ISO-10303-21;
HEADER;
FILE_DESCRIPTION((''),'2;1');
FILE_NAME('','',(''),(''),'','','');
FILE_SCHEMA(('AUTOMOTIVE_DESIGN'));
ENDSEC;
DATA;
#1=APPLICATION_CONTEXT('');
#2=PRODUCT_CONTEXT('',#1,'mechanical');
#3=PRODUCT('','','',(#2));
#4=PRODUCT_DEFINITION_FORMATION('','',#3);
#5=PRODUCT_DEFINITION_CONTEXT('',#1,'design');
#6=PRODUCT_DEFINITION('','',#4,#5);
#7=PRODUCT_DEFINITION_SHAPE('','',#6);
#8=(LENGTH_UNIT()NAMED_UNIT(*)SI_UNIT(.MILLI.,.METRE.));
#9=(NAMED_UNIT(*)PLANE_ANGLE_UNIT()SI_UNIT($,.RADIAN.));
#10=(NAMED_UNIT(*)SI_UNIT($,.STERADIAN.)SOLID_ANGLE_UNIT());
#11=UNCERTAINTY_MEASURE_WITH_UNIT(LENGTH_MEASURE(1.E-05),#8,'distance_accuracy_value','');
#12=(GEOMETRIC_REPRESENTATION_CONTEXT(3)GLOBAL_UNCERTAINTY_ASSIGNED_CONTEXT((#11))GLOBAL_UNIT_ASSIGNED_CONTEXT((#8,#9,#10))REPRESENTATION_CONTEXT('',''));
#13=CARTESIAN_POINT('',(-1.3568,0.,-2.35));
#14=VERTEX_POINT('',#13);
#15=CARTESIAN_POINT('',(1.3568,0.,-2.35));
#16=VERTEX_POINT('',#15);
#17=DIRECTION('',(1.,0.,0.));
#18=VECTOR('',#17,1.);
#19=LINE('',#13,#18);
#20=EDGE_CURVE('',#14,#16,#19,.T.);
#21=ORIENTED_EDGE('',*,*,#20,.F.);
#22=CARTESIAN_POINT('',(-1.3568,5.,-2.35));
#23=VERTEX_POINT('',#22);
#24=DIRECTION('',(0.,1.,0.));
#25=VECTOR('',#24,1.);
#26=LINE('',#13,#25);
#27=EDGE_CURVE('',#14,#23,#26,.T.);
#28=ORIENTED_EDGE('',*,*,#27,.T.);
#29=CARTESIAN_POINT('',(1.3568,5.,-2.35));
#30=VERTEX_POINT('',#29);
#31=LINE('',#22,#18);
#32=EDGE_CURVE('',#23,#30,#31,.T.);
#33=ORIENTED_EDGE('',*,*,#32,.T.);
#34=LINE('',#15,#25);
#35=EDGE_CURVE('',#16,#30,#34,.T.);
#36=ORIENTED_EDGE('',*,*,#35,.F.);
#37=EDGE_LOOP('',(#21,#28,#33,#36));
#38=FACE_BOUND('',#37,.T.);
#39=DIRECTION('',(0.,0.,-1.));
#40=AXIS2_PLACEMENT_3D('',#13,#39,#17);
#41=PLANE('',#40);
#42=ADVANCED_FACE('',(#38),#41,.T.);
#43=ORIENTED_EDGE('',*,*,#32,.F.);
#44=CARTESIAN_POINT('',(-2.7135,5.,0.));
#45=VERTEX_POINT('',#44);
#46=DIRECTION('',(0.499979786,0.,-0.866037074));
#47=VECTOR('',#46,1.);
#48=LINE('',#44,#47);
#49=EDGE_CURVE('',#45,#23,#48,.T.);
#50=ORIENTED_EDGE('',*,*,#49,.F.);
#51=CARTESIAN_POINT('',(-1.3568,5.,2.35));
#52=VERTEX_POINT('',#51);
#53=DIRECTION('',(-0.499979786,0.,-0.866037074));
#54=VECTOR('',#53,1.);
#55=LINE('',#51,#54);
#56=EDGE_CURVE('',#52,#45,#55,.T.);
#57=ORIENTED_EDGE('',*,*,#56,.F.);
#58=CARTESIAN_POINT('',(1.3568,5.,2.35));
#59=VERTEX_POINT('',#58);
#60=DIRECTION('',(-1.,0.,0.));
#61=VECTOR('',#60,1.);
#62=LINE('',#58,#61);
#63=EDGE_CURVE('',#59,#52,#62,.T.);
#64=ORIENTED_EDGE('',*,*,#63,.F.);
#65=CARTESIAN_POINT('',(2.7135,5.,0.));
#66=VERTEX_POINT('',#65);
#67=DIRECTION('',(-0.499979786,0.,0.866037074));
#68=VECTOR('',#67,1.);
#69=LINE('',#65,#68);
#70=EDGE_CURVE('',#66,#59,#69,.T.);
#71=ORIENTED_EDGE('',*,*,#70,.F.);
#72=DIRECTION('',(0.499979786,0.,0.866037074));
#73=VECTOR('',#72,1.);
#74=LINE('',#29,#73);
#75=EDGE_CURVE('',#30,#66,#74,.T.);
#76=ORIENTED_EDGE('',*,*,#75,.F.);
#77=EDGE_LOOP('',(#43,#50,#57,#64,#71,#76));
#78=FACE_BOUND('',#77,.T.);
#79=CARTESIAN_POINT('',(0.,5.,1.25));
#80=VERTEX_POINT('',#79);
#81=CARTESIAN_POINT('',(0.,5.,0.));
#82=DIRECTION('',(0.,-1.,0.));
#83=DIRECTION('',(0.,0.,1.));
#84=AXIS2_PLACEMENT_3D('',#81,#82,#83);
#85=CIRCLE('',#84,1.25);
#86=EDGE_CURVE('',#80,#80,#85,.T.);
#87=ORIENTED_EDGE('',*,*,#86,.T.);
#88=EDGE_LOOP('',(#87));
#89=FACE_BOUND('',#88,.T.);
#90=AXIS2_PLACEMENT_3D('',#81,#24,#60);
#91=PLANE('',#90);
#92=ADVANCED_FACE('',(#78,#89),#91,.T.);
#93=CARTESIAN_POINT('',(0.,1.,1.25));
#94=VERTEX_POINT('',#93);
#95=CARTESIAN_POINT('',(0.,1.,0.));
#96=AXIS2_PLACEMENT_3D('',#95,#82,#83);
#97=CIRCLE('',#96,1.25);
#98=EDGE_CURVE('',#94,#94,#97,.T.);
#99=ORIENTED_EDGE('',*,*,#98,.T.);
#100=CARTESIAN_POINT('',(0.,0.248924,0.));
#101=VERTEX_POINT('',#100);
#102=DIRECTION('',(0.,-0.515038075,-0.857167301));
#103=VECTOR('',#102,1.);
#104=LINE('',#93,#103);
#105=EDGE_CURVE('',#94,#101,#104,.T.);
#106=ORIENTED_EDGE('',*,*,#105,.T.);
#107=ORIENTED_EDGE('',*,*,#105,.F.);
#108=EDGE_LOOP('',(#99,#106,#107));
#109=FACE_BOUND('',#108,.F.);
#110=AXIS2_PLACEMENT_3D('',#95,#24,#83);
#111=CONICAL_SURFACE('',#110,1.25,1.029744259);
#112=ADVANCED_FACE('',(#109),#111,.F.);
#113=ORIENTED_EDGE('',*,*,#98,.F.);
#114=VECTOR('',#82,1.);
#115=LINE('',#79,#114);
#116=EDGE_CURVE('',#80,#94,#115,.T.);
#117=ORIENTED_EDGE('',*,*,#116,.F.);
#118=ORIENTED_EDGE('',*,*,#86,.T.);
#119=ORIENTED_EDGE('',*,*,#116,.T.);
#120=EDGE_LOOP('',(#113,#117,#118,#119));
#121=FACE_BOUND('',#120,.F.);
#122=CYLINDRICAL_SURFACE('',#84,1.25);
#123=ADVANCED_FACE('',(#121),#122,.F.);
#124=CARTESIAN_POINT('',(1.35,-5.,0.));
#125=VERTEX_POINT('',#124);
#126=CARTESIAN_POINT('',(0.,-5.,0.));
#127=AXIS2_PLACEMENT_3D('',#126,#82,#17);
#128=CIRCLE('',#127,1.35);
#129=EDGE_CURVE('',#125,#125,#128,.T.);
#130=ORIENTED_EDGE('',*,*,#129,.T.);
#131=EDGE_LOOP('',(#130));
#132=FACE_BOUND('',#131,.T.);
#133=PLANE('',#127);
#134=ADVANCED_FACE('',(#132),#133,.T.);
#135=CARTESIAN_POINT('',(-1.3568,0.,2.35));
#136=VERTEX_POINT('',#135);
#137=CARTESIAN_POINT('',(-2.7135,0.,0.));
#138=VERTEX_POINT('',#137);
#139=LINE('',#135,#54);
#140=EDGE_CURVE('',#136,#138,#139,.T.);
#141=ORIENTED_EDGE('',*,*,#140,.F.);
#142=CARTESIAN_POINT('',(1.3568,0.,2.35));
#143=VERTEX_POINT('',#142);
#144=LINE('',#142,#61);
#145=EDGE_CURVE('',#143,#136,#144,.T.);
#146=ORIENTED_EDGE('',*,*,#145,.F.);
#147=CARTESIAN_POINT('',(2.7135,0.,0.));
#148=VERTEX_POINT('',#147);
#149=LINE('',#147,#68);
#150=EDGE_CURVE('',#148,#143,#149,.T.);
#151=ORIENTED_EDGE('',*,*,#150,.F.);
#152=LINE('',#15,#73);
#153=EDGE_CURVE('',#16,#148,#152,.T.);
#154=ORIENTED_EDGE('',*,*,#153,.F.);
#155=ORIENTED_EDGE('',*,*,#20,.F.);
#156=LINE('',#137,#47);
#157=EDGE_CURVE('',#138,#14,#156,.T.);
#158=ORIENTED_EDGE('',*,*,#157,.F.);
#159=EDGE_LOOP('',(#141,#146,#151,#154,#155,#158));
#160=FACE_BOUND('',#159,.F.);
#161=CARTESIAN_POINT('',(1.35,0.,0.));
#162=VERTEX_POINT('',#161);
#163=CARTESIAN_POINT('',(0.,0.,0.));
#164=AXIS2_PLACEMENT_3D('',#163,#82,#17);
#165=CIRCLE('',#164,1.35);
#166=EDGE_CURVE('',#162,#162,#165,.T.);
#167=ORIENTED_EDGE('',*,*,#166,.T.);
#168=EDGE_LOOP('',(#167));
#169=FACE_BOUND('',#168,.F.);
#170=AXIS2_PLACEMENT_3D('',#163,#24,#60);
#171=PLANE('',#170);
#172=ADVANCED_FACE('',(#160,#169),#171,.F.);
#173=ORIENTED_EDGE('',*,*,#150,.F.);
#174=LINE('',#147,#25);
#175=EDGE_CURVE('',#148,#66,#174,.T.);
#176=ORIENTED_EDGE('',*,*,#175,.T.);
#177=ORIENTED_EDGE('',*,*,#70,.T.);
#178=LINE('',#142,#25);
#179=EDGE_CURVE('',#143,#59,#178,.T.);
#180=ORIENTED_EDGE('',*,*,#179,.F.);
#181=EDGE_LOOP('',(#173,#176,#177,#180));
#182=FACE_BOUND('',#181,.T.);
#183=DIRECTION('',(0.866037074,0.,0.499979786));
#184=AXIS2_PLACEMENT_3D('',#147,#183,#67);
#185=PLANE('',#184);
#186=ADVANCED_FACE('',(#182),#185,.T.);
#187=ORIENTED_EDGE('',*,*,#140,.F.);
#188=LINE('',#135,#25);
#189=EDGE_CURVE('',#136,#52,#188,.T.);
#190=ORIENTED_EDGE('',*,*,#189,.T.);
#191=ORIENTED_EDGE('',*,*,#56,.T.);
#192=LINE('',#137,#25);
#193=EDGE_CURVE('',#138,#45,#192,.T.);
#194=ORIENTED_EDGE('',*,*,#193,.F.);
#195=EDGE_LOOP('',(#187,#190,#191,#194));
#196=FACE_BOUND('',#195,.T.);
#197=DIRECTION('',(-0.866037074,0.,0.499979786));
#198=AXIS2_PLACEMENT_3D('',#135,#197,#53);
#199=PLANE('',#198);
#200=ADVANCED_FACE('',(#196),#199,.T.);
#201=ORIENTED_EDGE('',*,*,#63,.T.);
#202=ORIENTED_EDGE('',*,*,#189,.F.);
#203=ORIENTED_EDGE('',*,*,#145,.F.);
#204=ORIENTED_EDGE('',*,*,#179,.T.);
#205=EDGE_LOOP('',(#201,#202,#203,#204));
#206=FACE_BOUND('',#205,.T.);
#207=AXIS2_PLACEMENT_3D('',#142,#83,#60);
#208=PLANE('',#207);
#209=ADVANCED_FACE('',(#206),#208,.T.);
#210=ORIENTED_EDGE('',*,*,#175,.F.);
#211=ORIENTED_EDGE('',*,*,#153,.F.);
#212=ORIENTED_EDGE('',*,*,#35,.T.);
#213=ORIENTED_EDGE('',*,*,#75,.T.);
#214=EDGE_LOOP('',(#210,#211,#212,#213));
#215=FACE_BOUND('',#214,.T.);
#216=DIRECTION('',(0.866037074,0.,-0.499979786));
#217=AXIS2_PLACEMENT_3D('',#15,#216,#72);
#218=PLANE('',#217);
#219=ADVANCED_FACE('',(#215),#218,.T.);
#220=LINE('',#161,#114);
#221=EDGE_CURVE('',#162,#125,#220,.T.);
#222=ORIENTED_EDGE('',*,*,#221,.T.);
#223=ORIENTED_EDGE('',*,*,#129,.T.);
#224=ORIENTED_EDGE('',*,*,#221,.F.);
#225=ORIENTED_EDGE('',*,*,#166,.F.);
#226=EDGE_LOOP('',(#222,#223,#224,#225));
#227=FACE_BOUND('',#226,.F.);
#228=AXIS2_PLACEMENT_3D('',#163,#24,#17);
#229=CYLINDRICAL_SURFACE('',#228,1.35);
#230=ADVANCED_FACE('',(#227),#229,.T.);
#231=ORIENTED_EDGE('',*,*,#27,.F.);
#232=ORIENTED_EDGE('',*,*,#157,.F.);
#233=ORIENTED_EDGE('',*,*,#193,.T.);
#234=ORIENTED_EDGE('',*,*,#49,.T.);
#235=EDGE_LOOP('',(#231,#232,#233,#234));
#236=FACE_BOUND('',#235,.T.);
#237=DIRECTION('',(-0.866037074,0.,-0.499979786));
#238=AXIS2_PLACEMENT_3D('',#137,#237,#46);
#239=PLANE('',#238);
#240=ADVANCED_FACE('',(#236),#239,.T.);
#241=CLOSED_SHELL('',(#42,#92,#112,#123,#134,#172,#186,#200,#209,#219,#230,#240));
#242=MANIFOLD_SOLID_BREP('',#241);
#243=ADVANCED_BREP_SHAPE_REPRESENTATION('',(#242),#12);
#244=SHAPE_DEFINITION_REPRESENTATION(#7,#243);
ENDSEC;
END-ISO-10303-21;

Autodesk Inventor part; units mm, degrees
ref_plane "YZ Plane" through (0, 0, 0) normal (1, 0, 0) x (0, 1, 0)
ref_plane "XZ Plane" through (0, 0, 0) normal (0, 1, 0) x (-1, 0, 0)
ref_plane "XY Plane" through (0, 0, 0) normal (0, 0, 1) x (1, 0, 0)
sketch "Sketch1" plane through (0, 0, 0) normal (0, 1, 0) x (-1, 0, 0)
  line L0 (-1.3568, -2.35) -> (-2.7135, 0)
  line L1 (-2.7135, 0) -> (-1.3568, 2.35)
  line L2 (-1.3568, 2.35) -> (1.3568, 2.35)
  line L3 (1.3568, 2.35) -> (2.7135, 0)
  line L4 (2.7135, 0) -> (1.3568, -2.35)
  line L5 (1.3568, -2.35) -> (-1.3568, -2.35)
  point P0 (0, 0)
  point P1 (0, 0)
  dimension "d13" = 4.7
extrude "Extrusion1" add sketch "Sketch1" along normal blind 5
sketch "Sketch3" plane through (0, 0, 0) normal (0, -1, 0) x (1, 0, 0)
  circle A0 centre (0, 0) radius 1.35
  dimension "d12" = 2.7
extrude "Extrusion2" add sketch "Sketch3" along normal blind 5
sketch "Sketch6" plane through (0, 5, 0) normal (0, 1, 0) x (1, 0, 0)
  point P0 (0, 0)
  point P1 (0, 0)
hole "Hole1" at (0, 5, 0) direction (0, -1, 0) diameter 2.5 depth 4 tip angle 118
properties part number "distances"
